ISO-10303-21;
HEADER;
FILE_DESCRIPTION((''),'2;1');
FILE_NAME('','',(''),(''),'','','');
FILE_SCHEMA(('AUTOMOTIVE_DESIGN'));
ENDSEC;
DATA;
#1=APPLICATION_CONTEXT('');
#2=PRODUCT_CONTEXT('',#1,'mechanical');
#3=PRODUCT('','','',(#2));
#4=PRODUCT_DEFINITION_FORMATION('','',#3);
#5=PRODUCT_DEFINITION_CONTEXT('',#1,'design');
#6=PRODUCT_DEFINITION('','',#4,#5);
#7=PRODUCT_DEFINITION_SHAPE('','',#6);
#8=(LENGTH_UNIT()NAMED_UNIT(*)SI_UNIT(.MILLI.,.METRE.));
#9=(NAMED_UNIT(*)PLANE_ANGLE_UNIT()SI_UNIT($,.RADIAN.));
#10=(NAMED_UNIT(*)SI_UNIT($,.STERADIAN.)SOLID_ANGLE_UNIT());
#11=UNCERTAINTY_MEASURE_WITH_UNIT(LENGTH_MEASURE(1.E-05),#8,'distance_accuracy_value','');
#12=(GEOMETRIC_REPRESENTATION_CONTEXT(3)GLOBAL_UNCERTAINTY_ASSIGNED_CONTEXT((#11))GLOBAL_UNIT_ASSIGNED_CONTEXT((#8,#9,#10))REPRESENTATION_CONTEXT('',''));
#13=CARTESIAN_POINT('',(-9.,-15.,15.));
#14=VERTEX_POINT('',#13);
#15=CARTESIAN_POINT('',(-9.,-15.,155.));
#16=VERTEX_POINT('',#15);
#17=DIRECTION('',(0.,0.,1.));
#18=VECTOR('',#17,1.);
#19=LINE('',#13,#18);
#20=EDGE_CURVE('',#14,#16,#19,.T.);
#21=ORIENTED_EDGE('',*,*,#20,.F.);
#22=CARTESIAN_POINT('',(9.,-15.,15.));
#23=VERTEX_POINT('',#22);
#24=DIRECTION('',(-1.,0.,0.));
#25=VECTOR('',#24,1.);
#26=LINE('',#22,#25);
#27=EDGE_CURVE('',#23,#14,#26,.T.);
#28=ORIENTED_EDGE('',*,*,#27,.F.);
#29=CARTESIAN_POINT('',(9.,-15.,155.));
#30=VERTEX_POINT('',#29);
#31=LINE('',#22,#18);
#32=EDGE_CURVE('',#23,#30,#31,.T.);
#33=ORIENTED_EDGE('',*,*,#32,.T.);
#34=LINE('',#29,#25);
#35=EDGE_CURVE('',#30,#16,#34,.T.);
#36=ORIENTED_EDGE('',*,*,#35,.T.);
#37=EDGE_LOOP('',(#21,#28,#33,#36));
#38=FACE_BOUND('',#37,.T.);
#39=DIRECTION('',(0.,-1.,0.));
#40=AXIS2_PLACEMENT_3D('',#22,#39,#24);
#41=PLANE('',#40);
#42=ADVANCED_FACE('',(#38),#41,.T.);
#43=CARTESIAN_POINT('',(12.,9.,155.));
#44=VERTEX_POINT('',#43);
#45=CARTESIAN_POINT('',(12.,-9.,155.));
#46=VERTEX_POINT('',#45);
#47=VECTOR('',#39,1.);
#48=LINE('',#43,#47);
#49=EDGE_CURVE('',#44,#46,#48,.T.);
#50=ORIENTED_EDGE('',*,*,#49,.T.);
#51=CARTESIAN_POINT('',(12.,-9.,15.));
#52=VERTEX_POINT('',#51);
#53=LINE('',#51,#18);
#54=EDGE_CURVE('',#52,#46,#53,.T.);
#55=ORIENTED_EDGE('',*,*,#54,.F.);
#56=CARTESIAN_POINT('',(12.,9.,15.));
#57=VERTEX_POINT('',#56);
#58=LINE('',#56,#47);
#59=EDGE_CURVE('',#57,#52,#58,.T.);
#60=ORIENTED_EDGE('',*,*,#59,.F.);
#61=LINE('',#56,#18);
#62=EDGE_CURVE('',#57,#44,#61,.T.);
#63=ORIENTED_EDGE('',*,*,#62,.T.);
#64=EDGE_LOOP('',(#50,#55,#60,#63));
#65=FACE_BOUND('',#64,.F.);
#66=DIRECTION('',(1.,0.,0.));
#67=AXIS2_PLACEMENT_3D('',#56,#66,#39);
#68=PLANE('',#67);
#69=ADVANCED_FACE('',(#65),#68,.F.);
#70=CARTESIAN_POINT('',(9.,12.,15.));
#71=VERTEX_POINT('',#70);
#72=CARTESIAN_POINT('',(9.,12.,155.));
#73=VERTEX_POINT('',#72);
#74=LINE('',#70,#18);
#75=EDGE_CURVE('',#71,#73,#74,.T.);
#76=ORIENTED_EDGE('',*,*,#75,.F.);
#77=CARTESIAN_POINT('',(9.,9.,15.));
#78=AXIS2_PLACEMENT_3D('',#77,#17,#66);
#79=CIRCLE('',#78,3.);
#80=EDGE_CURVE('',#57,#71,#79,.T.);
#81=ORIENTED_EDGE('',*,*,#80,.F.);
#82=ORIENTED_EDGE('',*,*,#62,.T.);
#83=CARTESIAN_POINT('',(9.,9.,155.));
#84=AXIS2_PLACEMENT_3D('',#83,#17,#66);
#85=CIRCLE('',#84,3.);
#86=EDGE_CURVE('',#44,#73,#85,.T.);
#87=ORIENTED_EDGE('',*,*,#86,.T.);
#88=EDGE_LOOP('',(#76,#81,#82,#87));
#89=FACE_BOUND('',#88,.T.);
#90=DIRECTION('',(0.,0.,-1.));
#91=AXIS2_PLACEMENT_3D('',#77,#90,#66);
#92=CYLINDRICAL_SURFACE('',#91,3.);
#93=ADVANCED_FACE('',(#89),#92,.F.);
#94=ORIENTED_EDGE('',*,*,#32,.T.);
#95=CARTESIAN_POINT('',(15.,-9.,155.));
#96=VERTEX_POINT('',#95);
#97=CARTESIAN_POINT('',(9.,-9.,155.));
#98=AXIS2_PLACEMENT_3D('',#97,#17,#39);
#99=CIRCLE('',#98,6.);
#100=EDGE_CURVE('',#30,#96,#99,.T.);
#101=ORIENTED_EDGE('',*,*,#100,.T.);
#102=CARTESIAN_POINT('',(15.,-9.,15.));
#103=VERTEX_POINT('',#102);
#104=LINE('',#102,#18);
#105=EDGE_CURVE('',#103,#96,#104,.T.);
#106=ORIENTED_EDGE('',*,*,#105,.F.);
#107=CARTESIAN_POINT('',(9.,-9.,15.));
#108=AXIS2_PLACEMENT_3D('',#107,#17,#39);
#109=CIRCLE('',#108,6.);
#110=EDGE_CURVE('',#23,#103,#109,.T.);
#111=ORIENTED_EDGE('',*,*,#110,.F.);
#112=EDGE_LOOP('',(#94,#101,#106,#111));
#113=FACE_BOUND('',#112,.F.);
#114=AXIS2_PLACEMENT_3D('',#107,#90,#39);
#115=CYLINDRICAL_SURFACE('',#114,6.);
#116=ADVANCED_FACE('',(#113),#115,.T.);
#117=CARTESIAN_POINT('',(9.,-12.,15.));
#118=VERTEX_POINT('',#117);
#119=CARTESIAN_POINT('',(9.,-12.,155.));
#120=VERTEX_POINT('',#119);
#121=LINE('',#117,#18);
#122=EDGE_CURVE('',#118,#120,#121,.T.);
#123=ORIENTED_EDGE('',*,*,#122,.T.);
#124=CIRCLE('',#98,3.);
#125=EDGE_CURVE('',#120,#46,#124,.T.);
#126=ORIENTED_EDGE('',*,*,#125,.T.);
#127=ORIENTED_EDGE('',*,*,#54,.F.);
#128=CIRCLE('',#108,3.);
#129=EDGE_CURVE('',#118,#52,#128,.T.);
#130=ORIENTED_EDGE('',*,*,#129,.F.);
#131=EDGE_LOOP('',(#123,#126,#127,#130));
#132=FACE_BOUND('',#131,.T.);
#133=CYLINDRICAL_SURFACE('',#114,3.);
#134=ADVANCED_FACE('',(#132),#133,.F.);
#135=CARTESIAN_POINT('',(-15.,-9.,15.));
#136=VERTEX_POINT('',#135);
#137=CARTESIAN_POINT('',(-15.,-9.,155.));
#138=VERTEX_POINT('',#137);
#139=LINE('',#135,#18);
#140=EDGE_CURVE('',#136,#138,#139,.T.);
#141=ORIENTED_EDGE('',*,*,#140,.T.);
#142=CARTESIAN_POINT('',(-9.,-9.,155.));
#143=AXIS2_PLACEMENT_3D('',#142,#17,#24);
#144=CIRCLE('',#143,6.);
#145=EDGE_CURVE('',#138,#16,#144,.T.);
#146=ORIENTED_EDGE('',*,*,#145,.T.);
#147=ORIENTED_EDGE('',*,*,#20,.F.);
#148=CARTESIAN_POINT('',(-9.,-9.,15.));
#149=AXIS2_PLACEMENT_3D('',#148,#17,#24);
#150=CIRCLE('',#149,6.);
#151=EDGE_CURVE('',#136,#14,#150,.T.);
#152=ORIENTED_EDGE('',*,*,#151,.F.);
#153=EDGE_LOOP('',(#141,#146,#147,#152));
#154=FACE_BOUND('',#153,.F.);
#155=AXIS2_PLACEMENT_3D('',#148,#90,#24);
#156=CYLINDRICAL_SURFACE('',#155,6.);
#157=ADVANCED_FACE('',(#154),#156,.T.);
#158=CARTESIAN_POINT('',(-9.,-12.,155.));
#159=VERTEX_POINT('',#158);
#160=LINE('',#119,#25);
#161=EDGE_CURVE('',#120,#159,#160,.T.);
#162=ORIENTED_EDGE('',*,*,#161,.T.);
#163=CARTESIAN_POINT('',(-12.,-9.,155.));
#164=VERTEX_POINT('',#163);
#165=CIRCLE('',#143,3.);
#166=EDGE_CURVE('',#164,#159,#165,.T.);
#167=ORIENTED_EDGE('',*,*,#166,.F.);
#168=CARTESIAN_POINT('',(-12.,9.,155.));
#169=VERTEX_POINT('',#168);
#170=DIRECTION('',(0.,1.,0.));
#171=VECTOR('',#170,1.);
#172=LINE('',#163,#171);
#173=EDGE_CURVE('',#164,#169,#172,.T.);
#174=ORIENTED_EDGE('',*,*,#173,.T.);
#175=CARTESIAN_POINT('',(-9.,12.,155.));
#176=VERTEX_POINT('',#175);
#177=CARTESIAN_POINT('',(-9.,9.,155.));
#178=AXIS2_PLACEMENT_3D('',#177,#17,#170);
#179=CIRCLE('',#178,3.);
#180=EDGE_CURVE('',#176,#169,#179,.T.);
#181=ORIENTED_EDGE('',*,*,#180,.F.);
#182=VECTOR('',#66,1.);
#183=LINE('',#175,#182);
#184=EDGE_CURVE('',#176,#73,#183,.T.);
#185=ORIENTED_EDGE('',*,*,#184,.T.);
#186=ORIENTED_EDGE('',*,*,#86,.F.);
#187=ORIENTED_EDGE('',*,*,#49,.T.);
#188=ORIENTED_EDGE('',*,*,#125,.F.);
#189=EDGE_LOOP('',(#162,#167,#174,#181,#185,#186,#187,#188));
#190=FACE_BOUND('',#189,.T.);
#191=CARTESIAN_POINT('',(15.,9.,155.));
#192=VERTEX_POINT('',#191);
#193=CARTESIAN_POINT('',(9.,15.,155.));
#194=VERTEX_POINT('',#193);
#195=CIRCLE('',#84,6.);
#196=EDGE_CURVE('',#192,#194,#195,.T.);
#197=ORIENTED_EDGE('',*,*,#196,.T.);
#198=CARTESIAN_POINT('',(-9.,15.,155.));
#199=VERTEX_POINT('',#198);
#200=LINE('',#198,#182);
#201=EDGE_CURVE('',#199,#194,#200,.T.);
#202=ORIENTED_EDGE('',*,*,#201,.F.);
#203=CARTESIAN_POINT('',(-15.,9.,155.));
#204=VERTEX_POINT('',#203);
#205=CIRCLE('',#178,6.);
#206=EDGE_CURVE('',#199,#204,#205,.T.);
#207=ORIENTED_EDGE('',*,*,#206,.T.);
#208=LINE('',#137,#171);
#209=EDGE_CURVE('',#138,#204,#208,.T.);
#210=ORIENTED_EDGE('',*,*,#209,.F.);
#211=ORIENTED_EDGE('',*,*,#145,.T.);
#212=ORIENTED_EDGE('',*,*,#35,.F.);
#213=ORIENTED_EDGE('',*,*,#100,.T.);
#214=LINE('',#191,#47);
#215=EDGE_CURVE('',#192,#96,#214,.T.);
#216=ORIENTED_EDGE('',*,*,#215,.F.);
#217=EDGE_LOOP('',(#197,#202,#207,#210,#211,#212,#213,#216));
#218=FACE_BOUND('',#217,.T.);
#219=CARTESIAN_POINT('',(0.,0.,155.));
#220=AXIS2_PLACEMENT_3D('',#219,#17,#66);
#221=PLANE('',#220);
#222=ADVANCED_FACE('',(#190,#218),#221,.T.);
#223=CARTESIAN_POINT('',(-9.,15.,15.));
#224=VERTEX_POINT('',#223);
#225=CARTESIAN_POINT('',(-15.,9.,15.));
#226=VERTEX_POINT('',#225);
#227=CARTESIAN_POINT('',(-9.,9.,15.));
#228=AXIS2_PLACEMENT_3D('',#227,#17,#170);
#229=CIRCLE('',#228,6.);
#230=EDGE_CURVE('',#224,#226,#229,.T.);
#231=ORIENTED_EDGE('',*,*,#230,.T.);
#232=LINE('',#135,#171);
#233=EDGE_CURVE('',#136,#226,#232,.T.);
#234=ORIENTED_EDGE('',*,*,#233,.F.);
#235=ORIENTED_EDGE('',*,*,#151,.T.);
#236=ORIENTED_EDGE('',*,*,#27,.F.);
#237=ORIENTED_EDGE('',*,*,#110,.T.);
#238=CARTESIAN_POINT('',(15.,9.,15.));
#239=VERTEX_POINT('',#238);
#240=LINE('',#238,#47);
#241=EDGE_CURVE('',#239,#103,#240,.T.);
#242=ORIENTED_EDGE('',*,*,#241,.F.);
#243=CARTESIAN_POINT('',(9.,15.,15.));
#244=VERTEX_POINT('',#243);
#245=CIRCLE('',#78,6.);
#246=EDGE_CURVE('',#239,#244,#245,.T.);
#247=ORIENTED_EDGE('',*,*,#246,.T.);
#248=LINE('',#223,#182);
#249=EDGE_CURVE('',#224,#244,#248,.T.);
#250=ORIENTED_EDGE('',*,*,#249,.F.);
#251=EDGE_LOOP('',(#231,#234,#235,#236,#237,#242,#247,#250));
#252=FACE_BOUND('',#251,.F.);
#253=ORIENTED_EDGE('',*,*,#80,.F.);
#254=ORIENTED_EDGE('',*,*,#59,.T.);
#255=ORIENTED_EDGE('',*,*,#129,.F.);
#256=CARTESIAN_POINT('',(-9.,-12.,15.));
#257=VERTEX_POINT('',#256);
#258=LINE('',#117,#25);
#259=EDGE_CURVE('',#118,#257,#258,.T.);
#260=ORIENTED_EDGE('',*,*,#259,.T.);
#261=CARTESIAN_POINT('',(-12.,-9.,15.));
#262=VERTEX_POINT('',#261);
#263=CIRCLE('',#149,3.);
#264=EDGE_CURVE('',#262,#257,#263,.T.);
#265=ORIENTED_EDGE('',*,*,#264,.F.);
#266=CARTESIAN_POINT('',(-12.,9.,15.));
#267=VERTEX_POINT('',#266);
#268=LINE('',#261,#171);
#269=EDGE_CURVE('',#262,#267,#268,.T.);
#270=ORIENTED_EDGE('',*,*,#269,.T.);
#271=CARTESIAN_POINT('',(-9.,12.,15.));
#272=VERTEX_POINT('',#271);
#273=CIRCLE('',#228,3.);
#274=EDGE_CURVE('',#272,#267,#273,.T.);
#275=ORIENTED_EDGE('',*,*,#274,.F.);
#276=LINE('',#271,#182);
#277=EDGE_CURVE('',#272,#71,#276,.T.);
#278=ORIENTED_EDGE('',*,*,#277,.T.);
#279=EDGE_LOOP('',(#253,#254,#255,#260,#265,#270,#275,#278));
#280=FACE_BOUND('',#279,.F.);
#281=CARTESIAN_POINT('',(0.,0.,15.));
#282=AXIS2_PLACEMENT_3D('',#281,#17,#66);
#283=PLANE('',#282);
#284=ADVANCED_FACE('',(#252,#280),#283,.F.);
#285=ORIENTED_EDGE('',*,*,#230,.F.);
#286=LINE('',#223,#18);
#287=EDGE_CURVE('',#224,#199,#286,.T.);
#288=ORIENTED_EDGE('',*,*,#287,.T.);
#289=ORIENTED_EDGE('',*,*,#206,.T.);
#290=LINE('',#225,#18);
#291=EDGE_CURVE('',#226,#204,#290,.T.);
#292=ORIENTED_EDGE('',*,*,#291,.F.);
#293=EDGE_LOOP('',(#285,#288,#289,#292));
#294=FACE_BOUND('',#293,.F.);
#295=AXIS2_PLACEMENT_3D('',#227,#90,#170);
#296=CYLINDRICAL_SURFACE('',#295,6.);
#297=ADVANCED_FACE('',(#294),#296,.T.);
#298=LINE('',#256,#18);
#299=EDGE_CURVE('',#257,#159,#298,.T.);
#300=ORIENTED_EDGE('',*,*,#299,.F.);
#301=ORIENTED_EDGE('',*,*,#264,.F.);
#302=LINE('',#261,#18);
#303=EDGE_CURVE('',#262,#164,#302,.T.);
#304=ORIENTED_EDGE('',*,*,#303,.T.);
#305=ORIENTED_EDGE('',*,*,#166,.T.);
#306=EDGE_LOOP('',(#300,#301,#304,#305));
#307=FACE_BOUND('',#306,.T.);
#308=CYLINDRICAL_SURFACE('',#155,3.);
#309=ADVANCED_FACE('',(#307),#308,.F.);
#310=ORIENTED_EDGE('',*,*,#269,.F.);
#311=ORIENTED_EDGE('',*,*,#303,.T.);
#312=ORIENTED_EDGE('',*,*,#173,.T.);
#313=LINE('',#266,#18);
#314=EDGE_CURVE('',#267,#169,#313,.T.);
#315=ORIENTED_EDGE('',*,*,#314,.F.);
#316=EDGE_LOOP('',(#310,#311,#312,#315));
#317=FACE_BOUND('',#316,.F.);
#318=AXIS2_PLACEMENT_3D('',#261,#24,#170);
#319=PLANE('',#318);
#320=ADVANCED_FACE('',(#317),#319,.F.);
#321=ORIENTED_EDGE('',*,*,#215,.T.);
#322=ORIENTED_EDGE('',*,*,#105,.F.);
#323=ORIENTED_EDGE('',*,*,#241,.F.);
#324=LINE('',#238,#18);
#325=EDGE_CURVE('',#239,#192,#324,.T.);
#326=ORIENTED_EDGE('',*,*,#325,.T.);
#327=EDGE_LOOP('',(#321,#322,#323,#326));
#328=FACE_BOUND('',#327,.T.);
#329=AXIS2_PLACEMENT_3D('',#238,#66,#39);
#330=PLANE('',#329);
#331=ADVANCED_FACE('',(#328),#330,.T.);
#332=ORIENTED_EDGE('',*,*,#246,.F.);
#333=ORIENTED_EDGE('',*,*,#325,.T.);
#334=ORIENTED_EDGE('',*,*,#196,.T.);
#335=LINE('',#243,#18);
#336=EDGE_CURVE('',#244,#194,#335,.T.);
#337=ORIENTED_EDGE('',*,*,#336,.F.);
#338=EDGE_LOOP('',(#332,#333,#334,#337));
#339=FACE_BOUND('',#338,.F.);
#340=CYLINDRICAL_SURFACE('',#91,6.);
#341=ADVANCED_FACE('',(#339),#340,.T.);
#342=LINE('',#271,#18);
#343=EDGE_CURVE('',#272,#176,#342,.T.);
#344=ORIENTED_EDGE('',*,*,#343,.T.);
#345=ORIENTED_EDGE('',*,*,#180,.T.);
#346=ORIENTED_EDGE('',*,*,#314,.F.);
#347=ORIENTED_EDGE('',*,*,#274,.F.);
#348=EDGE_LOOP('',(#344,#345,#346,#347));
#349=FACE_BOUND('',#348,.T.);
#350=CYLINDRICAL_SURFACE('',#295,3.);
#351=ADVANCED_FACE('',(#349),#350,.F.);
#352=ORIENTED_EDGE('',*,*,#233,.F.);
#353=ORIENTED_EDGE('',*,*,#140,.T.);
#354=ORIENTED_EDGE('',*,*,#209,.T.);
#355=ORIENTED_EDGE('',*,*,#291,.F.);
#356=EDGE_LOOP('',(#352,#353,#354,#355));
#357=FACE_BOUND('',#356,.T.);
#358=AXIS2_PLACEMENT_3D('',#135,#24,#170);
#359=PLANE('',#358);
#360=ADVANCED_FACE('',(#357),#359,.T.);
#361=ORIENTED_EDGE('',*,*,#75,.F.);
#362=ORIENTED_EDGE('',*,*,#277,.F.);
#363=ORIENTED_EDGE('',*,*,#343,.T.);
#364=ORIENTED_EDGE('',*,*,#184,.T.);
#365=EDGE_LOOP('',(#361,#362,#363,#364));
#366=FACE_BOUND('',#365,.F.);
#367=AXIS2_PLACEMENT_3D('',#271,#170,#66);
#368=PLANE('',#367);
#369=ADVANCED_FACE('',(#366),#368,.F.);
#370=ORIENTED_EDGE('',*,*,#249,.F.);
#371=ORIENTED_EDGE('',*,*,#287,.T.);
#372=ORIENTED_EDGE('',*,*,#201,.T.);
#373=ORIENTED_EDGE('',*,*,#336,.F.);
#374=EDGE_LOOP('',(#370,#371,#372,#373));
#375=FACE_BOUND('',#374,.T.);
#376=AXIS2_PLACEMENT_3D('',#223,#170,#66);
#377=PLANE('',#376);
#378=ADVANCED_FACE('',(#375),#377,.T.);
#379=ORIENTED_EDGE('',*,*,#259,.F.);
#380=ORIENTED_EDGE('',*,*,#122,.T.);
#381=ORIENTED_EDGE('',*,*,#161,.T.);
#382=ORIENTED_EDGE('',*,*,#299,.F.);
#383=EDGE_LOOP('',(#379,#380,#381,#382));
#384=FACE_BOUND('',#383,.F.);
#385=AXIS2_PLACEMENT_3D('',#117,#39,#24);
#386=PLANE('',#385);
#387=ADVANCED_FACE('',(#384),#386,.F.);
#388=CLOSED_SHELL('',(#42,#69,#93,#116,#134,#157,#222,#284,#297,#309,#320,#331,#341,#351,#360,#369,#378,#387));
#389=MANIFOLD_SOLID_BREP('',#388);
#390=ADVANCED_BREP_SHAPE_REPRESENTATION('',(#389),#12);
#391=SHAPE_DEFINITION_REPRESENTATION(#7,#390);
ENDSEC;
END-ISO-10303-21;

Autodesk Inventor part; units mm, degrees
ref_plane "Start plane" through (0, 0, 15) normal (0, 0, 1) x (1, 0, 0)
ref_plane "End plane" through (0, 0, 155) normal (0, 0, 1) x (1, 0, 0)
sketch "Sketch" plane through (0, 0, 0) normal (0, 0, 1) x (1, 0, 0)
  line L0 (-15, -9) -> (-15, 9)
  line L1 (-9, 15) -> (9, 15)
  line L2 (15, 9) -> (15, -9)
  line L3 (9, -15) -> (-9, -15)
  arc A0 (-15, -9) -> (-9, -15) centre (-9, -9) ccw
  arc A1 (-9, 15) -> (-15, 9) centre (-9, 9) ccw
  arc A2 (15, 9) -> (9, 15) centre (9, 9) ccw
  arc A3 (9, -15) -> (15, -9) centre (9, -9) ccw
  arc A4 (-9, 12) -> (-12, 9) centre (-9, 9) ccw
  line L4 (-9, 12) -> (9, 12)
  arc A5 (12, 9) -> (9, 12) centre (9, 9) ccw
  line L5 (12, 9) -> (12, -9)
  arc A6 (9, -12) -> (12, -9) centre (9, -9) ccw
  line L6 (9, -12) -> (-9, -12)
  arc A7 (-12, -9) -> (-9, -12) centre (-9, -9) ccw
  line L7 (-12, -9) -> (-12, 9)
  line L8 (0, 22.7397) -> (0, -22.7397) construction
  line L9 (-22.7397, 0) -> (22.7397, 0) construction
  dimension "d7" = 6
  dimension "d10" = 30
  dimension "d11" = 30
  dimension "d12" = 3
  dimension "d15" = 15
  dimension "d16" = 15
extrude "Body" add sketch "Sketch" along normal up to surface (140 mm away) from surface at 15
sketch "Sketch3" plane through (0, 0, 0) normal (0, 0, 1) x (1, 0, 0)
  line L0 (0, 0) -> (10, 0)
ref_plane "Work Plane3" through (0, 0, 0) normal (0, -1, 0) x (1, 0, 0)
ref_plane "Work Plane4" through (9, -180, 15) normal (0, 0, -1) x (-1, 0, 0)
split "Split1" plane through (9, -180, 15) removes the side toward (0, 0, -1)
ref_plane "Work Plane5" through (-9, -180, 155) normal (0, 0, 1) x (1, 0, 0)
split "Split2" plane through (-9, -180, 155) removes the side toward (0, 0, 1)
sketch "Sketch4" plane through (0, 0, 0) normal (0, -1, 0) x (1, 0, 0)
  line L0 (-2, 15) -> (12, 15) projected
  line L1 (-2, 155) -> (12, 155) projected
  dimension "d18" = 140
equation "\"d7\" = G_IR"
equation "\"d10\" = G_H"
equation "\"d11\" = G_W"
equation "\"d12\" = G_T"
equation "\"d15\" = 0.5 * d10"
equation "\"d16\" = 0.5 * d11"
equation "\"d3\" = G_L"
equation "\"G_W\" = 30"
equation "\"G_H\" = 30"
equation "\"G_T\" = 3"
equation "\"G_IR\" = 6"
equation "\"G_L\" = d18"
equation "\"G_OFFSET_START\" = -15"
equation "\"G_OFFSET_END\" = -15"
equation "\"d13\" = -G_OFFSET_START"
equation "\"d14\" = G_OFFSET_END + B_L"
equation "\"B_L\" = 170"
properties part number "DIN EN 10219-2 - 30 x 30 x 3  - 140" material "Steel, Mild"
